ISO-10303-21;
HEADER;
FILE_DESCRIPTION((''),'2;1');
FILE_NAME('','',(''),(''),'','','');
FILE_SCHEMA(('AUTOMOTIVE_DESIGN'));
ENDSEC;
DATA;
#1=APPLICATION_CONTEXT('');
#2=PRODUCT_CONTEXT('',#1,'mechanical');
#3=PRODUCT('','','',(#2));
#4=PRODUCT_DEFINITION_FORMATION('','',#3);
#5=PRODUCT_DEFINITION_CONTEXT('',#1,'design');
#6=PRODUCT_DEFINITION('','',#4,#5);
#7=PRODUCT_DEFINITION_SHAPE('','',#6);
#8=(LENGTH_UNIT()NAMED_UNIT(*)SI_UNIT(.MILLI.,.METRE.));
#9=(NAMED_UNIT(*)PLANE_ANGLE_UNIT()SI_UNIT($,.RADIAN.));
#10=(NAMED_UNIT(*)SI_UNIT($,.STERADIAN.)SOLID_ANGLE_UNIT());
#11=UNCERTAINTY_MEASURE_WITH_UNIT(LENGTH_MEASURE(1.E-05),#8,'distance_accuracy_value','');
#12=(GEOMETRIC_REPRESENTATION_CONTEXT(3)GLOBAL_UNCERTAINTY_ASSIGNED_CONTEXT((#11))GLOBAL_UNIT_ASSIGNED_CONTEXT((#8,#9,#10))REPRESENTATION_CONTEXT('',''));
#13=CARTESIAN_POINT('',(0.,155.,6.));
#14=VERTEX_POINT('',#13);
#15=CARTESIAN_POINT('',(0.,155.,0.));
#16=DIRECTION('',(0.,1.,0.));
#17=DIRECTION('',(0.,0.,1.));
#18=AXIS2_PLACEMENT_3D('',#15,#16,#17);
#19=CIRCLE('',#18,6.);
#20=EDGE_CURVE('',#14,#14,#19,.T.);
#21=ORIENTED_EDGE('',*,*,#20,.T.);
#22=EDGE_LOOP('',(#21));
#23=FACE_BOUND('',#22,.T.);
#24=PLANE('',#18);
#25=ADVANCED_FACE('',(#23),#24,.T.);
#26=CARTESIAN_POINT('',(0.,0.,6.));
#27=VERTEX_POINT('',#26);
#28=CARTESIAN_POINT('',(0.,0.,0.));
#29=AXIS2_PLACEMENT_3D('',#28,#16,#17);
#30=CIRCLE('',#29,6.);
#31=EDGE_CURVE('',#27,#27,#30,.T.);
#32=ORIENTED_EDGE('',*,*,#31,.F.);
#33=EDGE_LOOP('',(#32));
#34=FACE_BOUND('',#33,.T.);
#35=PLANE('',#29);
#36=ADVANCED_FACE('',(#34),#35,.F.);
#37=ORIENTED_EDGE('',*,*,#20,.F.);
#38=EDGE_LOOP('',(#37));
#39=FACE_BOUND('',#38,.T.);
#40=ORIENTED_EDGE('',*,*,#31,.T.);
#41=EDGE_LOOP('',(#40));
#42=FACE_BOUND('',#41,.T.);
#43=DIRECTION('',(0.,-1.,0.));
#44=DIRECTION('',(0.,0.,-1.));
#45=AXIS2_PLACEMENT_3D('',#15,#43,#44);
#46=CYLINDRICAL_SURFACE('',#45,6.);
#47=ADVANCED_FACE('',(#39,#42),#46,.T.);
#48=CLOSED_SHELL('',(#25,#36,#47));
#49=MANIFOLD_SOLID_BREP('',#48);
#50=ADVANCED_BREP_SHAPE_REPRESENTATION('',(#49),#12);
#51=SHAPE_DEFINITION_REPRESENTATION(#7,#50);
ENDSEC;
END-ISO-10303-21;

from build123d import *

# Parameters (mm, degrees)
ESBO_O1_R                = 6
RESSALTO_EXTRUS_O1_DEPTH = 155


with BuildPart() as part:
    # Esboço1 → Ressalto-extrusão1 (new body)
    with BuildSketch(Plane(origin=(0, 0, 0), x_dir=(1, 0, 0), z_dir=(0, 1, 0))):
        with Locations(Location((0, 0, 0), (0, 0, 270))):
            Circle(ESBO_O1_R)
    extrude(amount=RESSALTO_EXTRUS_O1_DEPTH)


solid = part.part
